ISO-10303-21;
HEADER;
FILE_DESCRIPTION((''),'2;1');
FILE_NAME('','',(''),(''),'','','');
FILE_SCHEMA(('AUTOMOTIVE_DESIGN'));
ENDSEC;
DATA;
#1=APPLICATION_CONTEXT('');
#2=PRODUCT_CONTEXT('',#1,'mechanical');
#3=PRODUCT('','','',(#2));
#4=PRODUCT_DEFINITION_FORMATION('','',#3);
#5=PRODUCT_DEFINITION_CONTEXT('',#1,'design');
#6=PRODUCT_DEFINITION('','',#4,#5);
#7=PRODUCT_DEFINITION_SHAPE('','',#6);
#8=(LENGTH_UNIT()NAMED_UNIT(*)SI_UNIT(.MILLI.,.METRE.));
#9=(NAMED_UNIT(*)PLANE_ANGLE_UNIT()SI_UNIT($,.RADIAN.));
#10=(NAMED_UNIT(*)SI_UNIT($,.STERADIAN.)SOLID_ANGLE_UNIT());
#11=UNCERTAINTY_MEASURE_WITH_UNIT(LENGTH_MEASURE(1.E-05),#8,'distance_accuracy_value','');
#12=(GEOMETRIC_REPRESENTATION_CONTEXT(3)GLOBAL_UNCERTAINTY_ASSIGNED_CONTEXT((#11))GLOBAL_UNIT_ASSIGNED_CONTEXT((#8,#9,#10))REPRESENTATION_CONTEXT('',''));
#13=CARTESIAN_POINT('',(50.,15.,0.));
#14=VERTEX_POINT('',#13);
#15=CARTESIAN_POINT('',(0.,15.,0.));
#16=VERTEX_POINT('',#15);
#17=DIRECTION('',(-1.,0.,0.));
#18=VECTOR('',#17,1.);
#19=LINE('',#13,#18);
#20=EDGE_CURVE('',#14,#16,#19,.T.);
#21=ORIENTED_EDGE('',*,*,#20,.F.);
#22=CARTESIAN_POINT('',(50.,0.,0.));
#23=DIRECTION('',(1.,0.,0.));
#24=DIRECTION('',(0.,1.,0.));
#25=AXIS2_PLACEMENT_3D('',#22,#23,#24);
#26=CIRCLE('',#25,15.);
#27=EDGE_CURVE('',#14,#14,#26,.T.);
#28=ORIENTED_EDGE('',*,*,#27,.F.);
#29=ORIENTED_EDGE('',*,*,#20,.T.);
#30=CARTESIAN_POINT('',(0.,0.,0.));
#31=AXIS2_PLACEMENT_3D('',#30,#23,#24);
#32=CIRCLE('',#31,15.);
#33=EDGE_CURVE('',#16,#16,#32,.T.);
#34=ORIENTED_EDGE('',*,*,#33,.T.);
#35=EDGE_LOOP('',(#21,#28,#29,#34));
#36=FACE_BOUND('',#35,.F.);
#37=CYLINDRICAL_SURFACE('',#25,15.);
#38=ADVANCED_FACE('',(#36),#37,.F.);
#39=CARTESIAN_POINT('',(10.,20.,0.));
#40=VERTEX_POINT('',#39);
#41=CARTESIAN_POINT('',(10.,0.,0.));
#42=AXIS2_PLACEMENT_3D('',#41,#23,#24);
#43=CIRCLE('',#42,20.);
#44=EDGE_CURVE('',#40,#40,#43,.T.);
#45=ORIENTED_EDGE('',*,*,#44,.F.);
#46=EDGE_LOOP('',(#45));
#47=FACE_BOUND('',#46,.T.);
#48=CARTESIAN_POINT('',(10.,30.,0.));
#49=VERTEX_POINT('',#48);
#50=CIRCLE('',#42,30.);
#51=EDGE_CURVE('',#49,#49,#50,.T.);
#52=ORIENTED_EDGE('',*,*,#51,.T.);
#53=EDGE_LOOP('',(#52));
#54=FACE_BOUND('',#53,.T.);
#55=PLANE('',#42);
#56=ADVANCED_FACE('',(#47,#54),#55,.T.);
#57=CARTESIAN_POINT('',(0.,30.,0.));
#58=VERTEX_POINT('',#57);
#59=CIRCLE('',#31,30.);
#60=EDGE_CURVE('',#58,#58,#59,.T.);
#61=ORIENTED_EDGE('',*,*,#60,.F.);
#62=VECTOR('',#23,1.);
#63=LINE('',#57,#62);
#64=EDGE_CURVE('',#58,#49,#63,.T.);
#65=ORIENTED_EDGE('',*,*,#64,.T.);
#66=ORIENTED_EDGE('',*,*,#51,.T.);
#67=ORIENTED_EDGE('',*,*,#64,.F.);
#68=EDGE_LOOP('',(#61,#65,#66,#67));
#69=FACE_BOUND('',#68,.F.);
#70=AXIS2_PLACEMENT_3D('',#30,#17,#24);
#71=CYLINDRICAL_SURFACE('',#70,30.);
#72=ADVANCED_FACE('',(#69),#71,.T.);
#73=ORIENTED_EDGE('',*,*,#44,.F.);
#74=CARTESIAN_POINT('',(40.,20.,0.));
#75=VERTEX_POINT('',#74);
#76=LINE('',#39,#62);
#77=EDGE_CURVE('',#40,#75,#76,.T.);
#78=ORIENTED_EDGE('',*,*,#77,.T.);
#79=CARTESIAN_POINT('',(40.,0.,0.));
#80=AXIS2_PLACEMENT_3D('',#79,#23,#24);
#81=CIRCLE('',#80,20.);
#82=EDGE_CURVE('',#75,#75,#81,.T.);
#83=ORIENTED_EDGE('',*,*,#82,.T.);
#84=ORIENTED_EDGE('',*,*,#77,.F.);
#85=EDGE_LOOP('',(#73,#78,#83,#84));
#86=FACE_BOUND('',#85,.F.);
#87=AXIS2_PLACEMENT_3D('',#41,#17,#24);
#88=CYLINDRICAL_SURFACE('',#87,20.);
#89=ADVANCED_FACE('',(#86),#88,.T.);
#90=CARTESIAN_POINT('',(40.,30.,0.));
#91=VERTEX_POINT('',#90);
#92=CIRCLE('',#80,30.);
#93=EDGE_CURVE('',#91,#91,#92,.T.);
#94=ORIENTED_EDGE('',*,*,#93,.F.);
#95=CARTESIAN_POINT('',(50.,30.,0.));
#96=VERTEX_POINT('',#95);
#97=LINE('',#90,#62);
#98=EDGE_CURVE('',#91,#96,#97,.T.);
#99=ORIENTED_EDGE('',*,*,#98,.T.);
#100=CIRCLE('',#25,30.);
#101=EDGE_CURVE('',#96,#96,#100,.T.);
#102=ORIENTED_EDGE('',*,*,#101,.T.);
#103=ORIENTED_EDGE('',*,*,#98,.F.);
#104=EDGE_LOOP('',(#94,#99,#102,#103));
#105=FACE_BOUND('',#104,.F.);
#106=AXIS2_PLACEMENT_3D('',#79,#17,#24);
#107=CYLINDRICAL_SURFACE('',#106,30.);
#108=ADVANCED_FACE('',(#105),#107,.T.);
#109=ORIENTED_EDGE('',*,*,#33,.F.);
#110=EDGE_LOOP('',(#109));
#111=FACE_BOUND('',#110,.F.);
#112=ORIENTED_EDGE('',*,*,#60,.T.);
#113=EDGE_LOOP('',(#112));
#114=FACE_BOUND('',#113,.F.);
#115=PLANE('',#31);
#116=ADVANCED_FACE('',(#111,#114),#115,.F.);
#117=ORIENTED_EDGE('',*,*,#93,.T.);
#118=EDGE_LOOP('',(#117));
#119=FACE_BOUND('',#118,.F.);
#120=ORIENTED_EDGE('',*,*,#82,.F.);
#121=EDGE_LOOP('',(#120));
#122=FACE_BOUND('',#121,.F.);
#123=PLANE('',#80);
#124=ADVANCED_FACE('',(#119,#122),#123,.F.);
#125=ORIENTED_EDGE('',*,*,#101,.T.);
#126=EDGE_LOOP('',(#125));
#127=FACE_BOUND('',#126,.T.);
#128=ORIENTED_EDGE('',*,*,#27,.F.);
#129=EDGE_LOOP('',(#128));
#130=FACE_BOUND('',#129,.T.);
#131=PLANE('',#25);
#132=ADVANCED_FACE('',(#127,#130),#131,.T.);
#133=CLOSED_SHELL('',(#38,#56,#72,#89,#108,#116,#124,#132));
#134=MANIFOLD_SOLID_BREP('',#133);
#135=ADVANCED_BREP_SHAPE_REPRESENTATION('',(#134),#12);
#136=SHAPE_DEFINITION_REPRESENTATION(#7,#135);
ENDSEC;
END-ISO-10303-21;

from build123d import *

# Parameters (mm, degrees)
F0_R     = 30
F1_DEPTH = 10
F2_R     = 20
F3_DEPTH = 30
F4_R     = 30
F5_DEPTH = 10
F6_R     = 15
F7_DEPTH = 50


with BuildPart() as f1:
    # F0 (on Right) → F1 (new body)
    with BuildSketch(Plane.YZ):
        Circle(F0_R)
    extrude(amount=F1_DEPTH)

    # F2 (on face) → F3 (join)
    with BuildSketch(Plane.YZ.offset(10)):
        Circle(F2_R)
    extrude(amount=F3_DEPTH)

    # F4 (on face) → F5 (join)
    with BuildSketch(Plane.YZ.offset(40)):
        Circle(F4_R)
    extrude(amount=F5_DEPTH)

    # F6 (on face) → F7 (cut, through all)
    with BuildSketch(Plane.YZ.offset(50)):
        Circle(F6_R)
    extrude(amount=-F7_DEPTH, mode=Mode.SUBTRACT)


solid = f1.part
